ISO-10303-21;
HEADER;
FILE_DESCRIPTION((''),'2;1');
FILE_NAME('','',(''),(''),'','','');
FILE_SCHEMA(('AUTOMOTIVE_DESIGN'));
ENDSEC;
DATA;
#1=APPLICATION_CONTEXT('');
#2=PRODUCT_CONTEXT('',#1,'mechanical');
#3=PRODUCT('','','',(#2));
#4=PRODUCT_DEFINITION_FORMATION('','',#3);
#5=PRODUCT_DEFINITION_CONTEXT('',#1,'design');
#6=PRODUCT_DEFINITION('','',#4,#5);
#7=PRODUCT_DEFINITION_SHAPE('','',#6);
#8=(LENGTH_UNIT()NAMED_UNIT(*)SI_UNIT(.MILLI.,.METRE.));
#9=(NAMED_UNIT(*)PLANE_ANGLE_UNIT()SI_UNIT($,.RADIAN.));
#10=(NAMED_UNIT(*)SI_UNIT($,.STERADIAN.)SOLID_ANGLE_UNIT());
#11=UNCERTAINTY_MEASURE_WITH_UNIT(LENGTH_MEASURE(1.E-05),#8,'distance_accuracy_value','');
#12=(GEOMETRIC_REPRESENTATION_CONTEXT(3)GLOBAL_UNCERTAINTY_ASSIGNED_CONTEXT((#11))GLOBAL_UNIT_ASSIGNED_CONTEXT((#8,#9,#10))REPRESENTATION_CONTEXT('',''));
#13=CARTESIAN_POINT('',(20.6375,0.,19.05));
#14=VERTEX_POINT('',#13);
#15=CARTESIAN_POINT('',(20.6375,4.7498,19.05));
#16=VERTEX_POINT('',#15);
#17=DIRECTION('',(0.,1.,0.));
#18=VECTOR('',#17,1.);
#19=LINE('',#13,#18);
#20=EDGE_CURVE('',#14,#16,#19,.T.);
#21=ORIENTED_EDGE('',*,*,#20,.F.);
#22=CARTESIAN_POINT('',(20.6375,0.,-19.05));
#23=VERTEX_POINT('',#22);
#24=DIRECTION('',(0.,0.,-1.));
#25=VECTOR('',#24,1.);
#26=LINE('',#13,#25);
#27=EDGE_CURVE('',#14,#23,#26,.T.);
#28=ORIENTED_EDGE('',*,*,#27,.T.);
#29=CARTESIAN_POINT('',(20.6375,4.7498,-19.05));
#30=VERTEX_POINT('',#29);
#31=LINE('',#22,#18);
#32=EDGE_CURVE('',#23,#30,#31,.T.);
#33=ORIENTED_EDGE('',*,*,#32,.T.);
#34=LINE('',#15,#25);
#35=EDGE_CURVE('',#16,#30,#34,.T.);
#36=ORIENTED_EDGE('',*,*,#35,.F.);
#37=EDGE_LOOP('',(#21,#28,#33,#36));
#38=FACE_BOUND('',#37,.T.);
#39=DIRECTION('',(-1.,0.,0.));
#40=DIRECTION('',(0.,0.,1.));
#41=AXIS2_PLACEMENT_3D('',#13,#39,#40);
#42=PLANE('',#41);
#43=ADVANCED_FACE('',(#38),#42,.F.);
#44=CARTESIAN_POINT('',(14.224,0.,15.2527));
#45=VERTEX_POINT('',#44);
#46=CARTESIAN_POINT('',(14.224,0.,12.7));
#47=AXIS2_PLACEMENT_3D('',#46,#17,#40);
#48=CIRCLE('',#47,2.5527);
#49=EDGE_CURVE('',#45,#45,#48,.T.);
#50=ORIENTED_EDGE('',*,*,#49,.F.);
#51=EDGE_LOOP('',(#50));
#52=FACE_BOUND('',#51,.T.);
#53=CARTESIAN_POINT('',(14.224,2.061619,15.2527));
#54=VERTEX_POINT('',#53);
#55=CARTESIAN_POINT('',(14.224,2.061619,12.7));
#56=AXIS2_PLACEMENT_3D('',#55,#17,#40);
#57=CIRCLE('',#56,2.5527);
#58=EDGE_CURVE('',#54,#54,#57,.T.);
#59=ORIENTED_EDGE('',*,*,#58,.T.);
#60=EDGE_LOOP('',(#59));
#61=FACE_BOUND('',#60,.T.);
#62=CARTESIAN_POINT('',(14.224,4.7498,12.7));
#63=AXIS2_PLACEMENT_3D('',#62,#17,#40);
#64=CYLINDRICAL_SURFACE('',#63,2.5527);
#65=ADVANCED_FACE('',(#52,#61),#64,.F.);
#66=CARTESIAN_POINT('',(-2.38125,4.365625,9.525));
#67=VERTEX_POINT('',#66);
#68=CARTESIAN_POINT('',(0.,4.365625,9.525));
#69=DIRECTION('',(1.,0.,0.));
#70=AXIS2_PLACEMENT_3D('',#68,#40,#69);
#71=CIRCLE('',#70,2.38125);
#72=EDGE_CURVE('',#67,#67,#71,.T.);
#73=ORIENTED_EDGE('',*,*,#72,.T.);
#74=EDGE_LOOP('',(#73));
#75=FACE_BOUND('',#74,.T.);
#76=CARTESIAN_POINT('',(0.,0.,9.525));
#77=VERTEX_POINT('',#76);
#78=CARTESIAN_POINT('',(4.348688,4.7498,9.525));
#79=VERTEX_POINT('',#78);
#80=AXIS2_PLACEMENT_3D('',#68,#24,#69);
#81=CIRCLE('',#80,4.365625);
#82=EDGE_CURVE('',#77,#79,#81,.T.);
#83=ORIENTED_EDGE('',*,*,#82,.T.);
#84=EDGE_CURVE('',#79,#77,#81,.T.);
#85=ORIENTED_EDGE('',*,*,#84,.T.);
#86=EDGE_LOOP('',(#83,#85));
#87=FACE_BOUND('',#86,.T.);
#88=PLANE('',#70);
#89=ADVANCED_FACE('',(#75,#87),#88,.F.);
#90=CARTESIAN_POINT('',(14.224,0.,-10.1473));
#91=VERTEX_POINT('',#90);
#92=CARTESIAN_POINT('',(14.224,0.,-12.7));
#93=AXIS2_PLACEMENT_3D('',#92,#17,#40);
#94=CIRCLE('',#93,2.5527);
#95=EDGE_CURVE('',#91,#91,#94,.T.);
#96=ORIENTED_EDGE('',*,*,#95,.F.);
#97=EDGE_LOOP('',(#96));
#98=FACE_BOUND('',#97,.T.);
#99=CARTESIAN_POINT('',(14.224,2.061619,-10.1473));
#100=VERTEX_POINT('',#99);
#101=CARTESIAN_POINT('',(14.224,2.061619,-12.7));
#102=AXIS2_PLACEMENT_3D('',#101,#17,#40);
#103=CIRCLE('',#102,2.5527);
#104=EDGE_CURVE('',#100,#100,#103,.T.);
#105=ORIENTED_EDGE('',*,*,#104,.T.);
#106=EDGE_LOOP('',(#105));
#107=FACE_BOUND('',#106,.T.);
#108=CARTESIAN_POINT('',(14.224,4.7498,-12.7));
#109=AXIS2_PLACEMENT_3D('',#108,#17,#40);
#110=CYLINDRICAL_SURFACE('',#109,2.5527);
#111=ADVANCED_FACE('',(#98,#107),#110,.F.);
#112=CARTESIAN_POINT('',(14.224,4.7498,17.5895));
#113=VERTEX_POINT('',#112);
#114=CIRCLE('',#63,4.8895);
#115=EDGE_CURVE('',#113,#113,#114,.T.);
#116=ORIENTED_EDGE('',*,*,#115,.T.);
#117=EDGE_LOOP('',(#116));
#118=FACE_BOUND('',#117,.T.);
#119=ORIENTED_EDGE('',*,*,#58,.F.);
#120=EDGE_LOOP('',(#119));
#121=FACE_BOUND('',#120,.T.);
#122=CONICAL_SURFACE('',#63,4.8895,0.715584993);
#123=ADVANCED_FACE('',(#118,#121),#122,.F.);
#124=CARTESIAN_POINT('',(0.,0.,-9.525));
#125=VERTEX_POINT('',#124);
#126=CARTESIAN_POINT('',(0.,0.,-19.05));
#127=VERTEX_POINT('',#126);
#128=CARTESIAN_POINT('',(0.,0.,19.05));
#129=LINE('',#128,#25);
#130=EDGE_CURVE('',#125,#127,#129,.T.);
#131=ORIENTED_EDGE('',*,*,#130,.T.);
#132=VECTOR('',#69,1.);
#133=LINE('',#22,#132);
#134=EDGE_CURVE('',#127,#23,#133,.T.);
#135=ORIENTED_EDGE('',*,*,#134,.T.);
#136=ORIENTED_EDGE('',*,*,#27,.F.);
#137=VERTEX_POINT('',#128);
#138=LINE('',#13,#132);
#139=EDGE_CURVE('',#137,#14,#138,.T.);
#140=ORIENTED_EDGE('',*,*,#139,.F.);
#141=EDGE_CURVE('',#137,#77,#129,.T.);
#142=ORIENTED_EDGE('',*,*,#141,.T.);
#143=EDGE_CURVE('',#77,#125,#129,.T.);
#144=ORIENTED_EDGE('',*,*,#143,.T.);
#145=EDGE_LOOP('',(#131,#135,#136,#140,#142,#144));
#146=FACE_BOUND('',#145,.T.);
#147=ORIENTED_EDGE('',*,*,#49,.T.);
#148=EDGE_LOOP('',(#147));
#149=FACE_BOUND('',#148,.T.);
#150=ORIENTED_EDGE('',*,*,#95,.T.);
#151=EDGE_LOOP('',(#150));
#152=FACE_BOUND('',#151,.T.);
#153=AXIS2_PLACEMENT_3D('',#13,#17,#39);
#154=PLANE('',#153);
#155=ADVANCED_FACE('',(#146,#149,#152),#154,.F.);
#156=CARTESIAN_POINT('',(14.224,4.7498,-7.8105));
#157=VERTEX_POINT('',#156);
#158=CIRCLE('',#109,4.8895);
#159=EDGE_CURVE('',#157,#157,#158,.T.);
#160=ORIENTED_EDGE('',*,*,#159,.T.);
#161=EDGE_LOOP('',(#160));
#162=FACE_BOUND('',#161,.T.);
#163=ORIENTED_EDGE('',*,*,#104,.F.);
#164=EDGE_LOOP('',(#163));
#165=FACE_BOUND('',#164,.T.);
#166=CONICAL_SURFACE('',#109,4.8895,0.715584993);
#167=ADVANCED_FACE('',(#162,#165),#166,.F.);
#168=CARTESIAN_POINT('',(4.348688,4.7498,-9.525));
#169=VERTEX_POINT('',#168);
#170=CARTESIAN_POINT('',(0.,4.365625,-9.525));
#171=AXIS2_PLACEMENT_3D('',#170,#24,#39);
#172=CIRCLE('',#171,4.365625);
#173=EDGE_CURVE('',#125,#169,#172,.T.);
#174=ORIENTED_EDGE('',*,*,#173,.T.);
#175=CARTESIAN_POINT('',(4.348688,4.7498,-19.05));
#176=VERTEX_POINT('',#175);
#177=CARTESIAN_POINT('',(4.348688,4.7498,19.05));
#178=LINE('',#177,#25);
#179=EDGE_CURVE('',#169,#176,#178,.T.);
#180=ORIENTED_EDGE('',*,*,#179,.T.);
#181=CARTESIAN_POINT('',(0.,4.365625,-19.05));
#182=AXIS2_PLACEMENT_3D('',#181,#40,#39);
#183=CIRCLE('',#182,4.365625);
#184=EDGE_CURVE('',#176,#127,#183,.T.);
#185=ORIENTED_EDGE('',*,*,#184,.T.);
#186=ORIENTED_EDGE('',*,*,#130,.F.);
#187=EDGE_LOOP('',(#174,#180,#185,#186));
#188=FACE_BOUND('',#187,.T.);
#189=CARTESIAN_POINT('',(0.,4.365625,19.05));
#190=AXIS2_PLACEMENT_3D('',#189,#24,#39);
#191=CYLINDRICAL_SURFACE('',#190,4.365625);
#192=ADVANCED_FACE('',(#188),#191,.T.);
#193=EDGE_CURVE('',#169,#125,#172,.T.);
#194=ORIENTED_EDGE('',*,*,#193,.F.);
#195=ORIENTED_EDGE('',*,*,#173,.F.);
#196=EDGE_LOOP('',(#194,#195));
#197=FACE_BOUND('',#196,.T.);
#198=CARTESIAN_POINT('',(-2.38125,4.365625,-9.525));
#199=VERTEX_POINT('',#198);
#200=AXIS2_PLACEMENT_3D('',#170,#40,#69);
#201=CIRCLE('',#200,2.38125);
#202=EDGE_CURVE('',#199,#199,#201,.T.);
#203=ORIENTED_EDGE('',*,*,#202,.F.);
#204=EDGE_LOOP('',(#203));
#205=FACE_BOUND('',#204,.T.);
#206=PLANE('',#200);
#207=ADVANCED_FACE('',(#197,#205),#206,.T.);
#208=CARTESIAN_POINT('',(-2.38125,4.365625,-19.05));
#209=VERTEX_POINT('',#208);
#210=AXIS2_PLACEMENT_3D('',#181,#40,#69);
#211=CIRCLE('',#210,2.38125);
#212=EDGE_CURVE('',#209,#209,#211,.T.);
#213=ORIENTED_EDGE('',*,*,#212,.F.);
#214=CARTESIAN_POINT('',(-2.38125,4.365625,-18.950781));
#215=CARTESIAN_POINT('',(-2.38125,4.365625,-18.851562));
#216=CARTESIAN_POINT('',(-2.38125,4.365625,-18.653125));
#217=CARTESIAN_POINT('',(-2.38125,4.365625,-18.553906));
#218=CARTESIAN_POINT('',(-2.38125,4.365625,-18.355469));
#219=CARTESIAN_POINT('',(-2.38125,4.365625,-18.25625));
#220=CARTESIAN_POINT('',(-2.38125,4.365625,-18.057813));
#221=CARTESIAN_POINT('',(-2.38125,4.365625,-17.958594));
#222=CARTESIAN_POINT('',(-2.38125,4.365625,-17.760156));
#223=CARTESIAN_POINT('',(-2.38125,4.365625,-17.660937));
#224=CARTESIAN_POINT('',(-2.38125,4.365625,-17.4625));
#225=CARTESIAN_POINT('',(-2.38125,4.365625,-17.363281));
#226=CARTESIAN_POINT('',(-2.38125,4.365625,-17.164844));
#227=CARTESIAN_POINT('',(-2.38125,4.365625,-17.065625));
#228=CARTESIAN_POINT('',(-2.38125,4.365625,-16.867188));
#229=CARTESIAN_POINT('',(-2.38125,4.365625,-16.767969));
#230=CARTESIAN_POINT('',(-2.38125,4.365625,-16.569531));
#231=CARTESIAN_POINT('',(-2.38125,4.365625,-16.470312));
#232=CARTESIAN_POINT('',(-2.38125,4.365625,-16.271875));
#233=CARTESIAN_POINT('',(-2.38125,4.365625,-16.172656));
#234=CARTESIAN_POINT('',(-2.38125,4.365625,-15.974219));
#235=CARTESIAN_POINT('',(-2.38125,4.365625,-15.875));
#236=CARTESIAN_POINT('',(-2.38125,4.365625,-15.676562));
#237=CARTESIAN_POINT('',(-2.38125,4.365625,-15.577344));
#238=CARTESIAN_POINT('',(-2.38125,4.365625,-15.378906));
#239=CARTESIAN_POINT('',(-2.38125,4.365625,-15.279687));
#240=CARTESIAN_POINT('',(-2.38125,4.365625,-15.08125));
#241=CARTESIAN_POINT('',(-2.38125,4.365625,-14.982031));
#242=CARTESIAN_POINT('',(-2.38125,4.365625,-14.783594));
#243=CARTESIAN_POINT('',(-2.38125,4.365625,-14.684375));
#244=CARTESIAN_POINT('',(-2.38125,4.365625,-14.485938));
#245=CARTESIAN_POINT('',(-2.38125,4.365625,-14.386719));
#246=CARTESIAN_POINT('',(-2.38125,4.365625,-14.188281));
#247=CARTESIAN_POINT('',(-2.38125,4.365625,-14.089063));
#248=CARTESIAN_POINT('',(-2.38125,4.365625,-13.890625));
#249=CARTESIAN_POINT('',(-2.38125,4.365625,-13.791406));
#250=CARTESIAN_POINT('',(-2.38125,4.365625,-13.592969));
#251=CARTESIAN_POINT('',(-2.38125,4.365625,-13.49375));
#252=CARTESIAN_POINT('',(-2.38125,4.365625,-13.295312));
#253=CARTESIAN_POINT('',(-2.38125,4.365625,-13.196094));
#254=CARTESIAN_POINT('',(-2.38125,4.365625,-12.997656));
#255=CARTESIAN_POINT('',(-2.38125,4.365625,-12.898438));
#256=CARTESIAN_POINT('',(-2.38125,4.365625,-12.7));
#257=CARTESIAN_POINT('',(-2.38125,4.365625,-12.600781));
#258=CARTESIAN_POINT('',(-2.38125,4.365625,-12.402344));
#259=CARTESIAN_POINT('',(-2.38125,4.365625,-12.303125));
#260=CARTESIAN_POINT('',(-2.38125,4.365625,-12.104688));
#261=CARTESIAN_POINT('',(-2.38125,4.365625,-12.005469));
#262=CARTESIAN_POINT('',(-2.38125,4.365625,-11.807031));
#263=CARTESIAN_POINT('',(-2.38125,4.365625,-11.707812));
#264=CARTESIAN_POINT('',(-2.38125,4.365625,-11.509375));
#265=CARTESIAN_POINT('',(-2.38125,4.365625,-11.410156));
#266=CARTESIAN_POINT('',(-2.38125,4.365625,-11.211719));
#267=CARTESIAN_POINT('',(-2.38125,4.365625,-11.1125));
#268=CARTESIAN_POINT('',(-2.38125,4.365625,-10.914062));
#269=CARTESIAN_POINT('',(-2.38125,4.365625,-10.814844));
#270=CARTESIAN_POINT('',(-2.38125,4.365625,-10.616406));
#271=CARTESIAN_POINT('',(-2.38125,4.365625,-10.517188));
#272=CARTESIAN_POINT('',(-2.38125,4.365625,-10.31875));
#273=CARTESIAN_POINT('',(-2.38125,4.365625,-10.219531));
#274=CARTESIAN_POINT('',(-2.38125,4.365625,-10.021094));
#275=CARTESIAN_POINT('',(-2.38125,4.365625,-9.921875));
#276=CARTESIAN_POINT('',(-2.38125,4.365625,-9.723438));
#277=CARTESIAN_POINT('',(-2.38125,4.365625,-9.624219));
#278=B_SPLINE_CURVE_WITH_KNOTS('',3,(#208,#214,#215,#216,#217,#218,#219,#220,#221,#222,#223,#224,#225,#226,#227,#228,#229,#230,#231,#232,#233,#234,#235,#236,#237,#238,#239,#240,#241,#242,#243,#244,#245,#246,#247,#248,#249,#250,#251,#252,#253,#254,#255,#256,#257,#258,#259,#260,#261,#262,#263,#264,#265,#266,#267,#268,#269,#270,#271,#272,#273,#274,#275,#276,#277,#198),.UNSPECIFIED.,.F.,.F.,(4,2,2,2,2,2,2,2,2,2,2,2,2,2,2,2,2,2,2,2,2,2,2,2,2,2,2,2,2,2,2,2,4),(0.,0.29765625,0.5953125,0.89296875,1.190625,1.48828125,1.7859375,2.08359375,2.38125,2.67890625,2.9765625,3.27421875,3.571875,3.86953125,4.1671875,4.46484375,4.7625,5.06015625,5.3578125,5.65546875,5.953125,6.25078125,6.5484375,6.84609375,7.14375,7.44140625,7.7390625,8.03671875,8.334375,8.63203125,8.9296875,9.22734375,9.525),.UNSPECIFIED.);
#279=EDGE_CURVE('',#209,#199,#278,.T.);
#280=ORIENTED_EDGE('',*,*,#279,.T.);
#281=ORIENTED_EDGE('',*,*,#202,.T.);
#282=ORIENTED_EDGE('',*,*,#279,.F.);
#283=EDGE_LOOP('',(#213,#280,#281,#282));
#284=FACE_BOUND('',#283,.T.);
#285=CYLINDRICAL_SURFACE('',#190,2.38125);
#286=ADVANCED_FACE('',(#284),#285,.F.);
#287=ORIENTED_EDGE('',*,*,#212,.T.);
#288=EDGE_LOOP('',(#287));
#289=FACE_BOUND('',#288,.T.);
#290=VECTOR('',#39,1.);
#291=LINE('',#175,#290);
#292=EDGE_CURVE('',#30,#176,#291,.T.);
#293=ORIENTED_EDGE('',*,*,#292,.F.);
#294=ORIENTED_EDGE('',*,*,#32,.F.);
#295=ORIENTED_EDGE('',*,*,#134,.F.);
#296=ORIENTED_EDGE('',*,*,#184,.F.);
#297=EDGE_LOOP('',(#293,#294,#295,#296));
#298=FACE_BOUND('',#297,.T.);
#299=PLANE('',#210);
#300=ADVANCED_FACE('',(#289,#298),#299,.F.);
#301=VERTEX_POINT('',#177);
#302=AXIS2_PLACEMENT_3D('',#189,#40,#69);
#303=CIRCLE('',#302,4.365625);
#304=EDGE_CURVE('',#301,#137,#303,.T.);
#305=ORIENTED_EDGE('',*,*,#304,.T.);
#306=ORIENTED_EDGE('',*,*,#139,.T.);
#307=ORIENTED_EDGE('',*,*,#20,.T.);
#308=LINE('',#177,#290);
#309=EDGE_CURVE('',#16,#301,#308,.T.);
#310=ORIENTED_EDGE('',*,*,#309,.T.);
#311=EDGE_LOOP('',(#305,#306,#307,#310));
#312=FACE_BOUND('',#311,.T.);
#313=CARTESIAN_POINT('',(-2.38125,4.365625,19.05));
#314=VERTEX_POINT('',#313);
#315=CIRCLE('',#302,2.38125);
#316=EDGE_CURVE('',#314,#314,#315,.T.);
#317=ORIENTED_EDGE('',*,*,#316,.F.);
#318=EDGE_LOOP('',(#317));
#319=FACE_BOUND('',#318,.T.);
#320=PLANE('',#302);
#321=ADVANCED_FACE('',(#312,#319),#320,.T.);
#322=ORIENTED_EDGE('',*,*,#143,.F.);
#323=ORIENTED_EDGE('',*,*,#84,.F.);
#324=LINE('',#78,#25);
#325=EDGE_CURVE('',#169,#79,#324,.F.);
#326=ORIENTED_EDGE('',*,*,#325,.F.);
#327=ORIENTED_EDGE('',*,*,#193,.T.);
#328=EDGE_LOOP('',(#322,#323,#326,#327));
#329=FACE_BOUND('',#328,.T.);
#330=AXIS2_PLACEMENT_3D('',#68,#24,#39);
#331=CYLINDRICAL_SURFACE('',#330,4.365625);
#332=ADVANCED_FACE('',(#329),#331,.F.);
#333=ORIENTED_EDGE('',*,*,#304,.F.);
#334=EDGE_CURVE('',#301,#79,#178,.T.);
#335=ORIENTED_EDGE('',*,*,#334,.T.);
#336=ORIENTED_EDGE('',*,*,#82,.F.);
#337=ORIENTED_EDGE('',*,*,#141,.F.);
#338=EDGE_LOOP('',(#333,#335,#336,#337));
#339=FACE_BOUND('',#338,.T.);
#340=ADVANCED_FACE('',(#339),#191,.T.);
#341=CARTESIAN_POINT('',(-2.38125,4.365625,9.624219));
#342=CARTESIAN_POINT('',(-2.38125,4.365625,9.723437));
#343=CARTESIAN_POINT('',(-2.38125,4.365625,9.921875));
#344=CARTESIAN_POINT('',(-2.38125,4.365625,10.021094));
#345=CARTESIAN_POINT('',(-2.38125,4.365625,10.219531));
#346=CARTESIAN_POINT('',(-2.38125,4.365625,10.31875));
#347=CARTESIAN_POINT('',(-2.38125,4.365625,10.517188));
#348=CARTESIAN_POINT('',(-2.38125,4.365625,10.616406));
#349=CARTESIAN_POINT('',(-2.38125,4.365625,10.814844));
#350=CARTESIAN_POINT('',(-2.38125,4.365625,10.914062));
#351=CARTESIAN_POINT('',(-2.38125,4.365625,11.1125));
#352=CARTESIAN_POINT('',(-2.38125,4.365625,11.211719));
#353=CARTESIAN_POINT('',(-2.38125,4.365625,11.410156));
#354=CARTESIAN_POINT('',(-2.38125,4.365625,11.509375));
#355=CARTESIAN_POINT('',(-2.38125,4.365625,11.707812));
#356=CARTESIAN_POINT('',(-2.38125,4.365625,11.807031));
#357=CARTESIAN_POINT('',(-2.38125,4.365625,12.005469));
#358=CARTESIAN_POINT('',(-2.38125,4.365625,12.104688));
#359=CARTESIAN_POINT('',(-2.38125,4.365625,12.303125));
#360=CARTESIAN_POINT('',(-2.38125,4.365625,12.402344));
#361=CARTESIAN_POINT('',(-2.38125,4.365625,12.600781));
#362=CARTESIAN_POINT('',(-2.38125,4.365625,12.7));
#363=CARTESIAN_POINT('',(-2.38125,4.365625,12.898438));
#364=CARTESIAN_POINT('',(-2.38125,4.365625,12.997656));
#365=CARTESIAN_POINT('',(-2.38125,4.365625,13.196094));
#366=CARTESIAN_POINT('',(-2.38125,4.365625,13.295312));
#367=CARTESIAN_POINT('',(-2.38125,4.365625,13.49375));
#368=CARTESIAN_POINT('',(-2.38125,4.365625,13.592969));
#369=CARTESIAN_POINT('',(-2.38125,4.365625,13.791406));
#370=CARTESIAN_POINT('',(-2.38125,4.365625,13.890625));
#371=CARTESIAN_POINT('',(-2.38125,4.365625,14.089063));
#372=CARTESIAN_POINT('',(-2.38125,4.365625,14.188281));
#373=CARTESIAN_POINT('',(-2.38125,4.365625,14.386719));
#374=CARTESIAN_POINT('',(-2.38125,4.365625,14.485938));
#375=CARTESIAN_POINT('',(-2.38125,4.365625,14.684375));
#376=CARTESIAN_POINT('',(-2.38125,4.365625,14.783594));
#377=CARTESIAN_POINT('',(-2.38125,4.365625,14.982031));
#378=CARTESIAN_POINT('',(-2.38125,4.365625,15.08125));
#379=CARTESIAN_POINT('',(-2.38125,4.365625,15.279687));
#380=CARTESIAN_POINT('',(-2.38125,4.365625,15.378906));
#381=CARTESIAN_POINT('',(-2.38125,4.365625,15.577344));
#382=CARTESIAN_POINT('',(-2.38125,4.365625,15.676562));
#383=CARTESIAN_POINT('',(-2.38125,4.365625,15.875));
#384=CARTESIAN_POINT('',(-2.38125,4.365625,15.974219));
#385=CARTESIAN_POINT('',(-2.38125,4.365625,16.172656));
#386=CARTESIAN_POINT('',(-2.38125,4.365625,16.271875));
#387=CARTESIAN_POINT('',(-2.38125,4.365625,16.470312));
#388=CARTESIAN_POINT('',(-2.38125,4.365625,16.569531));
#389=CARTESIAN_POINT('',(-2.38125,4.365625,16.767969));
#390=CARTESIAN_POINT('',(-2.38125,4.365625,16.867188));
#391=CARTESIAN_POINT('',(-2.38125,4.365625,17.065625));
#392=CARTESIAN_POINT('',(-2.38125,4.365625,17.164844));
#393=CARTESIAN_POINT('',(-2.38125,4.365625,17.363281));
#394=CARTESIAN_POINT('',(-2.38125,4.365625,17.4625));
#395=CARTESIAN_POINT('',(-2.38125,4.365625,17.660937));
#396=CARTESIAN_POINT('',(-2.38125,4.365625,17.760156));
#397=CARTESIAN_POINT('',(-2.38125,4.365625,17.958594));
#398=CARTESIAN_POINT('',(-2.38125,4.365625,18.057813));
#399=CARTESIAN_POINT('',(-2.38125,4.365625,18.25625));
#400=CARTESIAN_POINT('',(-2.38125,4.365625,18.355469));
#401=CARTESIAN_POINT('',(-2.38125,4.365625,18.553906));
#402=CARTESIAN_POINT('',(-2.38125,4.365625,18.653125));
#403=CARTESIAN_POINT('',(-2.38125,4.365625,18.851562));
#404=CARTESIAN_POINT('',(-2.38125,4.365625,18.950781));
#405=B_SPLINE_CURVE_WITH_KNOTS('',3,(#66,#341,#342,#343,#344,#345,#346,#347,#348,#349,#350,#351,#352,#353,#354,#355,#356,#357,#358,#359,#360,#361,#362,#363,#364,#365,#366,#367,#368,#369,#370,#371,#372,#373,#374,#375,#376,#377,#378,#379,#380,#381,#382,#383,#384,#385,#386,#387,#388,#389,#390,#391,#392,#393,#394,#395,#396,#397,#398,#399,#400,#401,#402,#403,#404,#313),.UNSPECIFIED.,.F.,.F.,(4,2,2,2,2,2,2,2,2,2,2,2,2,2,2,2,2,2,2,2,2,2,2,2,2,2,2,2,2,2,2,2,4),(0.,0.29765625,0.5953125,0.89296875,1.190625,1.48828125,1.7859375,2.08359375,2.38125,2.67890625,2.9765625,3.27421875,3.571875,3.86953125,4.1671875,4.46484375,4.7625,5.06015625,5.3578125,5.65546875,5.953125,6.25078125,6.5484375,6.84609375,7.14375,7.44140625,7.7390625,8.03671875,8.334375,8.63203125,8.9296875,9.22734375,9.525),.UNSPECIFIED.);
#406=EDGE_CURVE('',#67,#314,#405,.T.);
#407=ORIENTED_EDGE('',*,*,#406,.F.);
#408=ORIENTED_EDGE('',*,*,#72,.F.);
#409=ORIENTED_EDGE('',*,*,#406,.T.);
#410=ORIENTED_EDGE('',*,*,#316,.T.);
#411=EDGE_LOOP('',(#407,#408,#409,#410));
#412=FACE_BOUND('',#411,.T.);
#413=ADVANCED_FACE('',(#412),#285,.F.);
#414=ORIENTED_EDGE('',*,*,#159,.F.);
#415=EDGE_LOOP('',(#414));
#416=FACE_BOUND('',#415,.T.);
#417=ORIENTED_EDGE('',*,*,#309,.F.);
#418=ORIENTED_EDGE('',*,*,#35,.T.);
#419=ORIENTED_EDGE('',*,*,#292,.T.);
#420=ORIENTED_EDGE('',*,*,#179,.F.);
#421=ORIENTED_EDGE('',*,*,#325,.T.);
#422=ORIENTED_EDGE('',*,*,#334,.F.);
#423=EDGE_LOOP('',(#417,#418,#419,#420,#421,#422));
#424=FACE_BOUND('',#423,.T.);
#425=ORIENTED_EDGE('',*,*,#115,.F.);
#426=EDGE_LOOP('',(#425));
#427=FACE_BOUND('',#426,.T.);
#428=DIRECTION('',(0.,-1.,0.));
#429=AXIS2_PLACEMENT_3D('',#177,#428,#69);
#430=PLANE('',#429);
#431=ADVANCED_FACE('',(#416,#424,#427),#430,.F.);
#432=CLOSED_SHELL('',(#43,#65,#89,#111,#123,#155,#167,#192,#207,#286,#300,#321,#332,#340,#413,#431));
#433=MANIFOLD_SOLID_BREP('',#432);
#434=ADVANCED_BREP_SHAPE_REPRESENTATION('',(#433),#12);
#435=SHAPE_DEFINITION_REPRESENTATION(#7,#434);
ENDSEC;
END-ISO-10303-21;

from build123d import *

# Parameters (mm, degrees)
SKETCH1_R                                    = 2.38125
EXTRUDE1_DEPTH                               = 19.05
CSK_FOR_10_FLAT_HEAD_MACHINE_SCREW1_AT_COUNT = 2
CSK_FOR_10_FLAT_HEAD_MACHINE_SCREW1_AT_PITCH = 25.4
CUT_EXTRUDE1_DEPTH                           = 19.05


with BuildPart() as part:
    # Sketch1 → Extrude1 (new, symmetric)
    with BuildSketch(Plane.XY):
        with BuildLine():
            Line((4.348688447, 4.7498), (20.6375, 4.7498))
            Line((20.6375, 4.7498), (20.6375, 0))
            Line((20.6375, 0), (0, 0))
            ThreePointArc((0, 0), (-3.219925902, 1.417615701), (-4.348688447, 4.7498))
            ThreePointArc((-4.348688447, 4.7498), (0, 8.73125), (4.348688447, 4.7498))
        make_face()
        with Locations(Location((0, 4.365625, 0), (0, 0, 180))):
            Circle(SKETCH1_R, mode=Mode.SUBTRACT)
    extrude(amount=EXTRUDE1_DEPTH, both=True)

    # Sketch6 → CSK for #10 Flat Head Machine Screw1 (revolve, cut)
    with BuildSketch(Plane(origin=(14.224, 4.7498, 12.7), x_dir=(0, 0, 1), z_dir=(1, 0, 0))):
        Polygon((0, 0), (0, 4.7498), (2.5527, 4.7498), (2.5527, 2.688180894), (4.8895, 0), align=None)
    csk_for_10_flat_head_machine_screw1 = revolve(axis=Axis((14.224, 11.0998, 12.7), (0, -1, 0)), mode=Mode.SUBTRACT)

    # CSK for #10 Flat Head Machine Screw1 at: CSK for #10 Flat Head Machine Screw1 ×2
    with Locations(*[(0, 0, -i * CSK_FOR_10_FLAT_HEAD_MACHINE_SCREW1_AT_PITCH) for i in range(1, CSK_FOR_10_FLAT_HEAD_MACHINE_SCREW1_AT_COUNT)]):
        add(csk_for_10_flat_head_machine_screw1, mode=Mode.SUBTRACT)

    # Sketch8 → Cut-Extrude1 (cut)
    with BuildSketch(Plane(origin=(0, 0, -9.525), x_dir=(-1, 0, 0), z_dir=(0, 0, -1))):
        with BuildLine():
            ThreePointArc((-4.348688447, 4.7498), (-3.219925902, 1.417615701), (0, 0))
            ThreePointArc((0, 0), (3.219925902, 7.313634299), (-4.348688447, 4.7498))
        make_face()
    extrude(amount=-CUT_EXTRUDE1_DEPTH, mode=Mode.SUBTRACT)


solid = part.part
